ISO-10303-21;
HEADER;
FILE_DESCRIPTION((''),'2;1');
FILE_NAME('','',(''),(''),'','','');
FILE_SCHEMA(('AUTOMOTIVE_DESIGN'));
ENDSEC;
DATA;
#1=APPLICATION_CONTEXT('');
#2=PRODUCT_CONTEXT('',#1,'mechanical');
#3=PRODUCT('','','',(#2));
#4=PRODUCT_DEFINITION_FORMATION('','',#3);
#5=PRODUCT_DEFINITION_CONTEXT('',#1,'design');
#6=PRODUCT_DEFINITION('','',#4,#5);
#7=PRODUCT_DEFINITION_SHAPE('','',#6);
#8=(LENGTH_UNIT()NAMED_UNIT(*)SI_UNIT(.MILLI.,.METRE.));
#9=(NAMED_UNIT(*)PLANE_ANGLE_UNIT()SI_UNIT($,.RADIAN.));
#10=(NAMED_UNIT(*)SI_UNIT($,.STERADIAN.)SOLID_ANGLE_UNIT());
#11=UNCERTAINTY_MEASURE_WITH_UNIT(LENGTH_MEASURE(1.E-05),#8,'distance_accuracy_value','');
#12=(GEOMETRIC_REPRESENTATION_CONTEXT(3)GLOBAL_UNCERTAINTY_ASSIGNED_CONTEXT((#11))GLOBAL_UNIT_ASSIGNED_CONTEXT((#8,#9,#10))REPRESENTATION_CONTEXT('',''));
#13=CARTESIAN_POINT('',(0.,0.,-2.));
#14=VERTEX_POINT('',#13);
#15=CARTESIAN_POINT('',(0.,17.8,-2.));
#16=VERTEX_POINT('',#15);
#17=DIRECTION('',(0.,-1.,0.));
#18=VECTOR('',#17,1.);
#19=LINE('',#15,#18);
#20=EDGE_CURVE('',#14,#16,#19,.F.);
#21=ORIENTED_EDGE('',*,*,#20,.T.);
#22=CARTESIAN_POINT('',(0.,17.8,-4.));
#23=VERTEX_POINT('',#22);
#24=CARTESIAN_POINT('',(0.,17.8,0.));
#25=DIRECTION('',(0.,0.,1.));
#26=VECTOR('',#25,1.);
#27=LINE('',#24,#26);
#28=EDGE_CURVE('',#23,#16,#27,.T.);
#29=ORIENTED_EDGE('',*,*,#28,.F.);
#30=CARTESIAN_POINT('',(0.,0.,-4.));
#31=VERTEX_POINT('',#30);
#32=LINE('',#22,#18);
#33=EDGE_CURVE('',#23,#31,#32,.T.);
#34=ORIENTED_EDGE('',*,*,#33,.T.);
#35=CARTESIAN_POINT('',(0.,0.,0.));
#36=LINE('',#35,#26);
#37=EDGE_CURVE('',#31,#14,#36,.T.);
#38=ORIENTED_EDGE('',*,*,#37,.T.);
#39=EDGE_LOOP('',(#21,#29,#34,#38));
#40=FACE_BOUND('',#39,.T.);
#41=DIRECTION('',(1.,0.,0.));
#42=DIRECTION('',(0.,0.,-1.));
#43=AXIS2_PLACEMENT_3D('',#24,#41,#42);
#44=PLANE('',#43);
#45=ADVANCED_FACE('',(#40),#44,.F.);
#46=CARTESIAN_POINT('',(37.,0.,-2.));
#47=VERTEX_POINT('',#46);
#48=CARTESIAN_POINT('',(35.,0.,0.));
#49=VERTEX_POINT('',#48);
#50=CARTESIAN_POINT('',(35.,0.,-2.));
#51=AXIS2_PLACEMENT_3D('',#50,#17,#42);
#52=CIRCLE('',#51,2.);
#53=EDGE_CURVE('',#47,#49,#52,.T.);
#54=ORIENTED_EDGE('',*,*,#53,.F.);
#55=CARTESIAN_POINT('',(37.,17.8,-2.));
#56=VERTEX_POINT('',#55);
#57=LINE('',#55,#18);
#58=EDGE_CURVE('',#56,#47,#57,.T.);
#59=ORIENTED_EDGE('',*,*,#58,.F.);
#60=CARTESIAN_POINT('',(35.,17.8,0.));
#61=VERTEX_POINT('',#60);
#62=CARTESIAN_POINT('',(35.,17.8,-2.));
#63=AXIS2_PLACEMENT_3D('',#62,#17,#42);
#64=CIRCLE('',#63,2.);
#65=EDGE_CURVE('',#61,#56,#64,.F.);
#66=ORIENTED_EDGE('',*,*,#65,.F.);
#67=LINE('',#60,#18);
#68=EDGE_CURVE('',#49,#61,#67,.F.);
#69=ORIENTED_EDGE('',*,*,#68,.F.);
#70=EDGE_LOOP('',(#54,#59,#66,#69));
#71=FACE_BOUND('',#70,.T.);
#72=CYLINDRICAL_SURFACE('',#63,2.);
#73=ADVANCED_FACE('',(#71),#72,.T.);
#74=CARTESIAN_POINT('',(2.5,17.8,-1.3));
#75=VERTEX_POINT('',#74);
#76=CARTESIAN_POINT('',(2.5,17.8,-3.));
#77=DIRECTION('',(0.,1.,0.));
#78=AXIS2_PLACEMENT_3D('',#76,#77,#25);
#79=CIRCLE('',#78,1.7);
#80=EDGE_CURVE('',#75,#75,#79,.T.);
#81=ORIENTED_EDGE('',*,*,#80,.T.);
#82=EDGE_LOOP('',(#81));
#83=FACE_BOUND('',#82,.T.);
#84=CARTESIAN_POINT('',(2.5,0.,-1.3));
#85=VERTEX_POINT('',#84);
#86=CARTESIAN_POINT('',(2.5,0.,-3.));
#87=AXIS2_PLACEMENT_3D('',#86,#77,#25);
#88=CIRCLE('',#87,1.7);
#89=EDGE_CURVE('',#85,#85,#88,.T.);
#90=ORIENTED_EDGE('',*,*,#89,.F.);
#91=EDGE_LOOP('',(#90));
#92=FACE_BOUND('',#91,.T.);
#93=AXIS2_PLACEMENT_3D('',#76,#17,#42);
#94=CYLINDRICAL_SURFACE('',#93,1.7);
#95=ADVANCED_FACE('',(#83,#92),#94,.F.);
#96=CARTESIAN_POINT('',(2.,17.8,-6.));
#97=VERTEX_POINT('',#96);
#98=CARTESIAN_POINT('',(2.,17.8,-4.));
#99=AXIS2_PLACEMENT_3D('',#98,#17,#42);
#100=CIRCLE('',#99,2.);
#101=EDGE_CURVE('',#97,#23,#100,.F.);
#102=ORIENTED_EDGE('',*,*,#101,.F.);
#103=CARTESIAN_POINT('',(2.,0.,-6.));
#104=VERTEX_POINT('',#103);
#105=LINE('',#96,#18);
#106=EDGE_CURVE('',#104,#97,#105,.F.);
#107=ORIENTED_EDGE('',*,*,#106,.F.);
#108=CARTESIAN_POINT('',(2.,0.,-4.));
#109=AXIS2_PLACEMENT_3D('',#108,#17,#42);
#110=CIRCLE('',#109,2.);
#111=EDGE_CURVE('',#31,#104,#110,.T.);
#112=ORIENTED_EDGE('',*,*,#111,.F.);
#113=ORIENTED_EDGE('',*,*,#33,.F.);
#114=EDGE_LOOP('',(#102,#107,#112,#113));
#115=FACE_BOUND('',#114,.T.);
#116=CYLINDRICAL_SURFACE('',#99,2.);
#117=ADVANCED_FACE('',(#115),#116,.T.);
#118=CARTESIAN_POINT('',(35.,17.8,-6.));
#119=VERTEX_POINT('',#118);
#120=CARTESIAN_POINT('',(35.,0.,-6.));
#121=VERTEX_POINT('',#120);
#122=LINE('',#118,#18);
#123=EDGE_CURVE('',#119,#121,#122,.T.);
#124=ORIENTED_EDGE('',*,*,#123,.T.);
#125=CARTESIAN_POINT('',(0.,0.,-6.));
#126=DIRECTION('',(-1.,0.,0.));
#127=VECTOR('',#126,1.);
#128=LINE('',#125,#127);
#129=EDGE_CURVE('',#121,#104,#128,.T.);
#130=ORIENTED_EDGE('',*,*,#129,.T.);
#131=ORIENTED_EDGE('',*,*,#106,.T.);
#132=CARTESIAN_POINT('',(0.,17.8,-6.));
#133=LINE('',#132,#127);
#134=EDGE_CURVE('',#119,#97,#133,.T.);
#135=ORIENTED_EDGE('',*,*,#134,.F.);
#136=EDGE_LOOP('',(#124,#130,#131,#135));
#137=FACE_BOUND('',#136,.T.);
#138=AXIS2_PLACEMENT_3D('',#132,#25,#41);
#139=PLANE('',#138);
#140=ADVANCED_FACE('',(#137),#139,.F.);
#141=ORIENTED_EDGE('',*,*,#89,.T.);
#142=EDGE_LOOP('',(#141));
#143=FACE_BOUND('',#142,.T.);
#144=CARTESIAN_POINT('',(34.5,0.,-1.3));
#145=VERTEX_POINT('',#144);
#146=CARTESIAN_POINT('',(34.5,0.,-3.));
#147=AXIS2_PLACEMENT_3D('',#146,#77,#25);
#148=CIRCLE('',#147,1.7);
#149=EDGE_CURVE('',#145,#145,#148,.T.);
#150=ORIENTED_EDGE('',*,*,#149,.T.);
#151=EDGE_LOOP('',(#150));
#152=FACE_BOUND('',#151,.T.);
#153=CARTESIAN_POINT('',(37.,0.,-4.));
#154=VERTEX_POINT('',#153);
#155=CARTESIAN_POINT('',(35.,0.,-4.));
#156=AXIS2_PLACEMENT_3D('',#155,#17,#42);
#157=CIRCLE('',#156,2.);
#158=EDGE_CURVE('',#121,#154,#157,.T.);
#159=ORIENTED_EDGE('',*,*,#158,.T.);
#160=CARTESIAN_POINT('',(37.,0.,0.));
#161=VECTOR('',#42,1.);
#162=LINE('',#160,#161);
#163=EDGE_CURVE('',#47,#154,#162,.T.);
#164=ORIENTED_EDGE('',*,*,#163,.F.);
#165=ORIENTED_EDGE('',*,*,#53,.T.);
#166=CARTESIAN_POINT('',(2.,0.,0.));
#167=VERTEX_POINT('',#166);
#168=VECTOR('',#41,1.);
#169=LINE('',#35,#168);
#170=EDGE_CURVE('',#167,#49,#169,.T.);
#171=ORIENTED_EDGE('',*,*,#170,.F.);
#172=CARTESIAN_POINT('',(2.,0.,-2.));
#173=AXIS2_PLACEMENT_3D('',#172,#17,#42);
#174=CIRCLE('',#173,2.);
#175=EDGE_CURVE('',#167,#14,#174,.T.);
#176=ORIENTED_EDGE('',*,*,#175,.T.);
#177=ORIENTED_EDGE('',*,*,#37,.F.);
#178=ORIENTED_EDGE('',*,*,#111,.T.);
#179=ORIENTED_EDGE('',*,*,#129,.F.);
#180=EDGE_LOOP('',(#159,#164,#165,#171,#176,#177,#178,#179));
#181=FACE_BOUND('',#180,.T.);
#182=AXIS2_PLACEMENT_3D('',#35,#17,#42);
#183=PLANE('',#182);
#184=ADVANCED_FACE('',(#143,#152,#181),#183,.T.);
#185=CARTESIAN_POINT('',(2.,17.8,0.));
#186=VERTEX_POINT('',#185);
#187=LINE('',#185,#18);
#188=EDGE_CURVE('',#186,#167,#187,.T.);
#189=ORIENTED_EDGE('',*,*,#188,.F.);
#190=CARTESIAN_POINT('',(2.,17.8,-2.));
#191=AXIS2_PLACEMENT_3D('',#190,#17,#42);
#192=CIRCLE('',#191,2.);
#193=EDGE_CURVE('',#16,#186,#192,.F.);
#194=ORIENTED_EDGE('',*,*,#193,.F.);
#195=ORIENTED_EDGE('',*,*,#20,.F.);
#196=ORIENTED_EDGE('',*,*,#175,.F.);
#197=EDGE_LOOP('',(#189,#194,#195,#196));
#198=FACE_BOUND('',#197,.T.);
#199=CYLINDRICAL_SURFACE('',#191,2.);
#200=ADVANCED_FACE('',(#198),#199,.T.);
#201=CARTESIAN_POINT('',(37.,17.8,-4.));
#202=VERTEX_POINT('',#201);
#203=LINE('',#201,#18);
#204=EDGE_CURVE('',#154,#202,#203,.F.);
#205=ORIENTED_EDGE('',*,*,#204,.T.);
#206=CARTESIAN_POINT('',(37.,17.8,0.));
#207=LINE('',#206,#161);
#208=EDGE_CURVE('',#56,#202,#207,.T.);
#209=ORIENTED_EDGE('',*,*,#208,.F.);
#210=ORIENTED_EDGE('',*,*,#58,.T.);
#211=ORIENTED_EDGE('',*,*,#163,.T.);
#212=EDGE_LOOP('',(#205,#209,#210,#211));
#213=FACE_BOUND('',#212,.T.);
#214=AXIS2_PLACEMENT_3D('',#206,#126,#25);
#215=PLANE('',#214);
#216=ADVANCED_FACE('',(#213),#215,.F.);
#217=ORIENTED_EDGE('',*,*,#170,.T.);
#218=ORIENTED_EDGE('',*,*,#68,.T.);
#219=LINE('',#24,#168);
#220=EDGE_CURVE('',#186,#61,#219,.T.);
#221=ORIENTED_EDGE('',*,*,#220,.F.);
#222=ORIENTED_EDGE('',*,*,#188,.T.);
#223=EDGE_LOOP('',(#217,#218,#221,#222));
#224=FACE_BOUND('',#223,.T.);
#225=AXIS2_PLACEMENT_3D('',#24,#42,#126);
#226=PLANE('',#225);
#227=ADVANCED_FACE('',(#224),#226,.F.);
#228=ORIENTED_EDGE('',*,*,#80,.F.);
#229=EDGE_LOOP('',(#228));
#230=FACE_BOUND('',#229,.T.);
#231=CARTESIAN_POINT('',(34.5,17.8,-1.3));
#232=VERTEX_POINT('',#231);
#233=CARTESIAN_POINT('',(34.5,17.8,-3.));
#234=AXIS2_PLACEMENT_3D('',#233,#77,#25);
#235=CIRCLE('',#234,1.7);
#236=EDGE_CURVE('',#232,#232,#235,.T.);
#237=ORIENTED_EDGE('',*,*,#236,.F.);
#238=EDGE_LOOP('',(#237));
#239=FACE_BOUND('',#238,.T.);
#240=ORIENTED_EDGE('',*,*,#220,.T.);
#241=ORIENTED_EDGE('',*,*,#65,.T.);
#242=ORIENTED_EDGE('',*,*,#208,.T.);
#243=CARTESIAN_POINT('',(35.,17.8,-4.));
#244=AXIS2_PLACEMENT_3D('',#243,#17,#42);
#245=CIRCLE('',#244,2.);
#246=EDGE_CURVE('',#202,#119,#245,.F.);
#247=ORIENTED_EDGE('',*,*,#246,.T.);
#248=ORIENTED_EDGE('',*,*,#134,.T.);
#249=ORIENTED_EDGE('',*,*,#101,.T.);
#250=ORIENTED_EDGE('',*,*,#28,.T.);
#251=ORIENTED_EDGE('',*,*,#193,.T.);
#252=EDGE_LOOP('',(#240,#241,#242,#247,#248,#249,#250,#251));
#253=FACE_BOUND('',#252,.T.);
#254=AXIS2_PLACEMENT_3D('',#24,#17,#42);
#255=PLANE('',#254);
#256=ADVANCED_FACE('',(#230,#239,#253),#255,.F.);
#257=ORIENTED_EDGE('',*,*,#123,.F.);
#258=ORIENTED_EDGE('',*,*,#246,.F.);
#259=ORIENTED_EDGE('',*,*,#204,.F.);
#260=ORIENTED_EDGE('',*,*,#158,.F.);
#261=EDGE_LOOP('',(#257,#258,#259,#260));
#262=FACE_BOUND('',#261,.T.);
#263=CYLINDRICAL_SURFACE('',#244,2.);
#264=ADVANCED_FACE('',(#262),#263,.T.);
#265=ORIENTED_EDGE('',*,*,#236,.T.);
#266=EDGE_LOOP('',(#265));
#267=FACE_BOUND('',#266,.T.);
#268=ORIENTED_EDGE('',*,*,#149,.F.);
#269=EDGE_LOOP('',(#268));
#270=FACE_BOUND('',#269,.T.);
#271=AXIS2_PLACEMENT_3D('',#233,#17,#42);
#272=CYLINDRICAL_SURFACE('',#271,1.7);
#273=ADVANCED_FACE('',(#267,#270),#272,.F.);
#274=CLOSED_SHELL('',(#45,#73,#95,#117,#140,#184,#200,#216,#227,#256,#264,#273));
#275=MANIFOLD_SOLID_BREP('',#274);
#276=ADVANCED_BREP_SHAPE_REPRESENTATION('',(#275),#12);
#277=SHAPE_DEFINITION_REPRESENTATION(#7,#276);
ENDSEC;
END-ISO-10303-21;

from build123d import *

# Parameters (mm, degrees)
CROQUIS1_W              = 37
CROQUIS1_H              = 6
CROQUIS1_R              = 1.7
SALIENTE_EXTRUIR1_DEPTH = 17.8
REDONDEO1_R             = 2


with BuildPart() as part:
    # Croquis1 → Saliente-Extruir1 (new body)
    with BuildSketch(Plane(origin=(0, 0, 0), x_dir=(1, 0, 0), z_dir=(0, 1, 0))):
        with Locations((18.5, 3)):
            Rectangle(CROQUIS1_W, CROQUIS1_H)
        with Locations(Location((2.5, 3, 0), (0, 0, 270))):
            Circle(CROQUIS1_R, mode=Mode.SUBTRACT)
        with Locations(Location((34.5, 3, 0), (0, 0, 270))):
            Circle(CROQUIS1_R, mode=Mode.SUBTRACT)
    extrude(amount=SALIENTE_EXTRUIR1_DEPTH)

    # Redondeo1
    redondeo1_edges = [part.edges().sort_by_distance(p)[0] for p in [
        (0, 8.9, -6),
        (37, 8.9, -6),
        (37, 8.9, 0),
        (0, 8.9, 0),
    ]]
    fillet(redondeo1_edges, radius=REDONDEO1_R)


solid = part.part
